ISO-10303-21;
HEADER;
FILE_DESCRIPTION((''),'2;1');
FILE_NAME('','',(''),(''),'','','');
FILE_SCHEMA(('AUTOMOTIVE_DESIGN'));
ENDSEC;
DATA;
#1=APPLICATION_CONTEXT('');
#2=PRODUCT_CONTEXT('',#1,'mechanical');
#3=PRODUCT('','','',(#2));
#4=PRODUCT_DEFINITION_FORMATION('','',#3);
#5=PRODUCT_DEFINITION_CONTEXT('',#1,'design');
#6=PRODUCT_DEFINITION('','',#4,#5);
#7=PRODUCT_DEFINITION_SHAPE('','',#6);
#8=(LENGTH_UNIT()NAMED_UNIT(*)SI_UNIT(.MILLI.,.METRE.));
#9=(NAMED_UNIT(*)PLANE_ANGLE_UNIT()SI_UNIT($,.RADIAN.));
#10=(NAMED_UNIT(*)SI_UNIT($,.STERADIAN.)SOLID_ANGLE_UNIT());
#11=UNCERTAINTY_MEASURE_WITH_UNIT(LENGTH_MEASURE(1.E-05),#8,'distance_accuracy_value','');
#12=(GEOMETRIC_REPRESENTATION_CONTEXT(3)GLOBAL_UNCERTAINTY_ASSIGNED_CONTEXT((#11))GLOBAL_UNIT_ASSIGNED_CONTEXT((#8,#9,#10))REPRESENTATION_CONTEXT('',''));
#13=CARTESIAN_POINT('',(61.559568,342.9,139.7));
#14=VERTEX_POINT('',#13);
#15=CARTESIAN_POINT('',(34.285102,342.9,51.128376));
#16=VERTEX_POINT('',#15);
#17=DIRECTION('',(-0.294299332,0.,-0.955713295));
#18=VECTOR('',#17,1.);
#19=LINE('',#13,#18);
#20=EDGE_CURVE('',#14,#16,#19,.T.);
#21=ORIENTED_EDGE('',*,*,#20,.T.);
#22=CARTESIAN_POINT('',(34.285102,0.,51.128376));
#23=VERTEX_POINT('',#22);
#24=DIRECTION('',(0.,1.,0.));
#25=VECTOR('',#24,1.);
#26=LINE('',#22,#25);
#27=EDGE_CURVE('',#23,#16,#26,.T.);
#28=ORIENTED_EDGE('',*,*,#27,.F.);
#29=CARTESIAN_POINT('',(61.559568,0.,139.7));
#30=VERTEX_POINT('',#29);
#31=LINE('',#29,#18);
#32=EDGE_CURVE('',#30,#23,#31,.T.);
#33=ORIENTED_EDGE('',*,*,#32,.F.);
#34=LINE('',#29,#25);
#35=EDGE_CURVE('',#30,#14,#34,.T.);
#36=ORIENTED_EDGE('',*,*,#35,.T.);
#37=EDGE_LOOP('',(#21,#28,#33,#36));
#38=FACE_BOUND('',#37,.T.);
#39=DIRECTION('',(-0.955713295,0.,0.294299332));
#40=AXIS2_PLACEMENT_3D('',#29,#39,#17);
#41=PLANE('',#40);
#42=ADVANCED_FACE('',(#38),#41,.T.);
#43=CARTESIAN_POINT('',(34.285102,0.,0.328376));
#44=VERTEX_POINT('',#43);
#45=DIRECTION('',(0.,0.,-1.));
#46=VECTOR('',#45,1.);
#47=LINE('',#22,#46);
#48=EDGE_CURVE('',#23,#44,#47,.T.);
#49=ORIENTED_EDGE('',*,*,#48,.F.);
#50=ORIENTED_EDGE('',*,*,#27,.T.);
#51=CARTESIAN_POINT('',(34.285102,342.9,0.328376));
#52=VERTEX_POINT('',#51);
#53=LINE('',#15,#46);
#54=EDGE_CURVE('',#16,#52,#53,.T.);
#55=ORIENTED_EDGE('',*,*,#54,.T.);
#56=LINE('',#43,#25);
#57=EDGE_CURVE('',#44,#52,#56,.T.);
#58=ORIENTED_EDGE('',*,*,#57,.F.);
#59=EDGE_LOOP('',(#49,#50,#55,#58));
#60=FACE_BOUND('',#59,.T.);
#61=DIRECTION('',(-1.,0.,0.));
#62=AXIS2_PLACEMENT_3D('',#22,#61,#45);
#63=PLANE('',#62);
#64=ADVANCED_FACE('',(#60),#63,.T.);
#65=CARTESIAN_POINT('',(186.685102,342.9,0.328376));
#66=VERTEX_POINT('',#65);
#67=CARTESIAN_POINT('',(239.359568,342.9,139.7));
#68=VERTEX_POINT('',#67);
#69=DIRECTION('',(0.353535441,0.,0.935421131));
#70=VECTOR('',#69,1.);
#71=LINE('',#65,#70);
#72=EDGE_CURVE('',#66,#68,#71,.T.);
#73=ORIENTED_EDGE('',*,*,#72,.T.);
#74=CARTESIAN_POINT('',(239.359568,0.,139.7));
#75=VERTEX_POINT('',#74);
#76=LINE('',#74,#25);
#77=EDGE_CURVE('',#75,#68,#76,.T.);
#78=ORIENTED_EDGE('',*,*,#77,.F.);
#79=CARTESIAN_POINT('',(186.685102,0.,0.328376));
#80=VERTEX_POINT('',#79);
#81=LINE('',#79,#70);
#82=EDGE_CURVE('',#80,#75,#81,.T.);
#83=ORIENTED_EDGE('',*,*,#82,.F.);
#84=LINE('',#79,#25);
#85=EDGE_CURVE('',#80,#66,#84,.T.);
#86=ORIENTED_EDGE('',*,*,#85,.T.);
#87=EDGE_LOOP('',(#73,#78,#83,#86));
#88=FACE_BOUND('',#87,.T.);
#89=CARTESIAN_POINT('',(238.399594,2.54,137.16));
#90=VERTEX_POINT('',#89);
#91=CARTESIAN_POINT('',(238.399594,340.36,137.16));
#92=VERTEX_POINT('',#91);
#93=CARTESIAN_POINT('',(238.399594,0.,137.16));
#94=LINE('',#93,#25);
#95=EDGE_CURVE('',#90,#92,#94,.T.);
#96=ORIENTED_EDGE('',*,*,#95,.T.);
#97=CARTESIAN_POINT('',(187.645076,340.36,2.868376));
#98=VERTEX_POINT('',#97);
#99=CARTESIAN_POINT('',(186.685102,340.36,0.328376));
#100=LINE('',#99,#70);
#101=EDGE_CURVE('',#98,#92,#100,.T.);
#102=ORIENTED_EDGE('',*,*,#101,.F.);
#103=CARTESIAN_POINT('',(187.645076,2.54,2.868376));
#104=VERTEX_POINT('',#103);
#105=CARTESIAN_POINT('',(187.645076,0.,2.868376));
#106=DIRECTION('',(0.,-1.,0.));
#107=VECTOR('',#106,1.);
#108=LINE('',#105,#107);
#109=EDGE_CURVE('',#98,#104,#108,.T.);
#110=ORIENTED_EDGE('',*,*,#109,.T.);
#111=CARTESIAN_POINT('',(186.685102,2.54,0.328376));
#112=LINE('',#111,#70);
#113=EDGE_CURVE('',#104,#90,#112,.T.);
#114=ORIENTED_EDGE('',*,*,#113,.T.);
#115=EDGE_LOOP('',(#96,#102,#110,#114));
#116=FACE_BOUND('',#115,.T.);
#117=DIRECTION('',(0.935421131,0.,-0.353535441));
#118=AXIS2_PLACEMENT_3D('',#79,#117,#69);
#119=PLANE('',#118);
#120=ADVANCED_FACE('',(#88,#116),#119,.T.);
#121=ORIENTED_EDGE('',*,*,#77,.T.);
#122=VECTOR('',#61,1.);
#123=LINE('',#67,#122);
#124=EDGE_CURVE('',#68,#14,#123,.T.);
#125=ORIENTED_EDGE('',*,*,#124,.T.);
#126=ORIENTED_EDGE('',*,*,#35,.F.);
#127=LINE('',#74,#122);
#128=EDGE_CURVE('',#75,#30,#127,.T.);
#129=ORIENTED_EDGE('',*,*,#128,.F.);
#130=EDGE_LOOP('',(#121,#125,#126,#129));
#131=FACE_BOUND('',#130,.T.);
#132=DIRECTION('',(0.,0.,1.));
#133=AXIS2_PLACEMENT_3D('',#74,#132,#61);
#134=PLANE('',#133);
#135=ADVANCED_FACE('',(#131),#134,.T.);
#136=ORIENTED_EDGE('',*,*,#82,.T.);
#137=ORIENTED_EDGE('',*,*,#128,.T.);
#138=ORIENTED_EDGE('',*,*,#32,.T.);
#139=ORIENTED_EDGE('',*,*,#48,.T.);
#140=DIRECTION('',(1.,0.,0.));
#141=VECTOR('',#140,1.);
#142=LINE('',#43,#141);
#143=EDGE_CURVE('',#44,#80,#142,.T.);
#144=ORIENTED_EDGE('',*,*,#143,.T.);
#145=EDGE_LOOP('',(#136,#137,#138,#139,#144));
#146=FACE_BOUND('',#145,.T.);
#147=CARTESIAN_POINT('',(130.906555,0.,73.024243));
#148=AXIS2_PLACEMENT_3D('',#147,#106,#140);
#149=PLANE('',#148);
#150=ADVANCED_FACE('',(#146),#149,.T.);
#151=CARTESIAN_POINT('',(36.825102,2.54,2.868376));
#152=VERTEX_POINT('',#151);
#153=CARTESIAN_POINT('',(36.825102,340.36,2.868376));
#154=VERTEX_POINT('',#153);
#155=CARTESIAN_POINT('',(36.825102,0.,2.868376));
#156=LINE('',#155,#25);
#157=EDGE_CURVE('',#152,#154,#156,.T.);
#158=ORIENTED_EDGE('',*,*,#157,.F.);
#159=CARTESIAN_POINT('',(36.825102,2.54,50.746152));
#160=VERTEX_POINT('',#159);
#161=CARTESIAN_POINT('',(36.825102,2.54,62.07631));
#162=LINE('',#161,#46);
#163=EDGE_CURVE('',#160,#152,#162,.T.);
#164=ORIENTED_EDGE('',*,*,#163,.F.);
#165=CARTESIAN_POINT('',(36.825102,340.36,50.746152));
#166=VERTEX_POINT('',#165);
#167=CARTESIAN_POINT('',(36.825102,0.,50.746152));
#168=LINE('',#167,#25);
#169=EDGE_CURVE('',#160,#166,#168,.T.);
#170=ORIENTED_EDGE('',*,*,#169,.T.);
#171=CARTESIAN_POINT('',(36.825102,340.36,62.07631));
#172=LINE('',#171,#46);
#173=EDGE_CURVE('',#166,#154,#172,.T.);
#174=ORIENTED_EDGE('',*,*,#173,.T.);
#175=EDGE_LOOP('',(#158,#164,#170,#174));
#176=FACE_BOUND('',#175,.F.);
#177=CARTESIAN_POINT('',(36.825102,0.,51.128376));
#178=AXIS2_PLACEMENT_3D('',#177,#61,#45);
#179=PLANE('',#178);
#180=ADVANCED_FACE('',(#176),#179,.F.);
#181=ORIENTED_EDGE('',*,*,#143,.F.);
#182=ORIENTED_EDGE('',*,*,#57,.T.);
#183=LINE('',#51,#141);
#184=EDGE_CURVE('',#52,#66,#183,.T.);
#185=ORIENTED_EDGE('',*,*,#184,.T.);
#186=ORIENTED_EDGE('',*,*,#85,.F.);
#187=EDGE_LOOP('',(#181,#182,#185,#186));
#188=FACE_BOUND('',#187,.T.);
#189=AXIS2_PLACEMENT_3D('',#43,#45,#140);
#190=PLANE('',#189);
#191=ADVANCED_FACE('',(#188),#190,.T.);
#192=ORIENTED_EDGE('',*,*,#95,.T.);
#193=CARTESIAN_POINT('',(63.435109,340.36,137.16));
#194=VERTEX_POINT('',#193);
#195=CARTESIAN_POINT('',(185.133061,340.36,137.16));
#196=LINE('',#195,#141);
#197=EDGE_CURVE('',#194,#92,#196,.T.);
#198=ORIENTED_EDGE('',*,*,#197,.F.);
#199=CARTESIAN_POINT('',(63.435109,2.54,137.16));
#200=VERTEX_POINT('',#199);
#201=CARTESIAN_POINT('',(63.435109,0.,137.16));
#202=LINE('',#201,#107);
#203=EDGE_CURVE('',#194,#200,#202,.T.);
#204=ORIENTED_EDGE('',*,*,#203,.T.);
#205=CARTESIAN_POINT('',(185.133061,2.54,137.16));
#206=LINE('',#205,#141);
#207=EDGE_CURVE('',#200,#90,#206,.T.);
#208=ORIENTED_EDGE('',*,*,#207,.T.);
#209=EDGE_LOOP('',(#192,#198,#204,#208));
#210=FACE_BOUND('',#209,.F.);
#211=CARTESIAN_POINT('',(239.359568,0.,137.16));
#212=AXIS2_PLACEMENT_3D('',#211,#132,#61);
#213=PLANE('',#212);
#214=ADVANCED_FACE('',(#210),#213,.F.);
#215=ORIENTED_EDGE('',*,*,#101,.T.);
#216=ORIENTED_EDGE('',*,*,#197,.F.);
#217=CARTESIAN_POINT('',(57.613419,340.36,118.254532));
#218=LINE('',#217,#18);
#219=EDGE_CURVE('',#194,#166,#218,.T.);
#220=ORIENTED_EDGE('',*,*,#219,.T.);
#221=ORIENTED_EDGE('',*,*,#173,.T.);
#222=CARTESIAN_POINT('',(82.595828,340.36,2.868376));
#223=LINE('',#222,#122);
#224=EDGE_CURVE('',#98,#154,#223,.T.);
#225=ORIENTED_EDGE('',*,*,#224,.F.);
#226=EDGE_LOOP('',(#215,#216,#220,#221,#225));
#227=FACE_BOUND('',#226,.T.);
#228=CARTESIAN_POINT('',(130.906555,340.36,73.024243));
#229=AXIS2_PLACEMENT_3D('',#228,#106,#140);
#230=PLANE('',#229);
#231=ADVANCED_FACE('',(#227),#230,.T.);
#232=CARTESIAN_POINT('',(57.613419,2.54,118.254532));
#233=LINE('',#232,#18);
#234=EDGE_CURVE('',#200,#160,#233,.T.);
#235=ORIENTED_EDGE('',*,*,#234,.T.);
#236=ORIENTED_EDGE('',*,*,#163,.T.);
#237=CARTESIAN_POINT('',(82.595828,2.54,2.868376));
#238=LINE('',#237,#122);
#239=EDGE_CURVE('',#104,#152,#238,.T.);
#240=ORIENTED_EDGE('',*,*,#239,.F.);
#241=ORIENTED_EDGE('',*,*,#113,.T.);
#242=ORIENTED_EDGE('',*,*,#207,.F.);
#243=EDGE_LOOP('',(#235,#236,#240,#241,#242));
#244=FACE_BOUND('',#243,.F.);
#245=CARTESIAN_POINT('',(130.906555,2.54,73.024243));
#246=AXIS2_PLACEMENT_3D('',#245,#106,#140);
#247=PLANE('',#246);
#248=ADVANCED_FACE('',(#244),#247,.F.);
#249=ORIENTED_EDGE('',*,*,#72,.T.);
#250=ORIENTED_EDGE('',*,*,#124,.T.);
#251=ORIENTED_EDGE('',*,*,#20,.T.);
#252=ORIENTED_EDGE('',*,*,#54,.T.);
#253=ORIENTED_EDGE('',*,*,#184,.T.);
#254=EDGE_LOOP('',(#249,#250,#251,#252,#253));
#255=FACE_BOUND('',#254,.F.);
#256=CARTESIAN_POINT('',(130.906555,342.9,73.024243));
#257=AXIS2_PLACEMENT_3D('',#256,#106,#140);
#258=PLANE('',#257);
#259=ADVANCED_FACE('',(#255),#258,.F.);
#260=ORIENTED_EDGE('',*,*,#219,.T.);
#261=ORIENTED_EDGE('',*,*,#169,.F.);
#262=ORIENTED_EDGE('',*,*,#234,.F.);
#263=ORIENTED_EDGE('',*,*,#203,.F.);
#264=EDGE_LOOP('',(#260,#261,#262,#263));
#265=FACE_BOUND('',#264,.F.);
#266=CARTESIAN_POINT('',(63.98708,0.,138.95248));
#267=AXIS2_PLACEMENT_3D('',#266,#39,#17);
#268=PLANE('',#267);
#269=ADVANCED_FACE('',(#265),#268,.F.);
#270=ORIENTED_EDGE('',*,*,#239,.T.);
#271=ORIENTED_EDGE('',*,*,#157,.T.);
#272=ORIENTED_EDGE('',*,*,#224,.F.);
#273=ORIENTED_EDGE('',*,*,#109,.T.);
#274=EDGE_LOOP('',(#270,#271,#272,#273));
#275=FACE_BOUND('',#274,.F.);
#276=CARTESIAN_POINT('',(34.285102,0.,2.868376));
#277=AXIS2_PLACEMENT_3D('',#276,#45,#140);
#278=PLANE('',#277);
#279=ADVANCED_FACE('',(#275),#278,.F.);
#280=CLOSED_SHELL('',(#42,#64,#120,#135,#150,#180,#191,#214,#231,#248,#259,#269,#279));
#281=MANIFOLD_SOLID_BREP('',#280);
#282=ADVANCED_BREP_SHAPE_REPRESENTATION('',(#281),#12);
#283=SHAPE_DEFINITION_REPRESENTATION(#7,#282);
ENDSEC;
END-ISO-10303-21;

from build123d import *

# Parameters (mm, degrees)
F1_DEPTH = 342.9
F2_T     = -2.54


with BuildPart() as f1:
    # F0 (on Front) → F1 (new body)
    with BuildSketch(Plane.XZ):
        Polygon((239.359568, 139.7), (61.559568, 139.7), (34.285102, 51.128376), (34.285102, 0.328376), (186.685102, 0.328376), align=None)
    extrude(amount=-F1_DEPTH)

    # F2
    f2_openings = [f1.faces().sort_by_distance(p)[0] for p in [
        (213.022335, 171.45, 70.014188),
    ]]
    offset(amount=F2_T, openings=f2_openings)


solid = f1.part
